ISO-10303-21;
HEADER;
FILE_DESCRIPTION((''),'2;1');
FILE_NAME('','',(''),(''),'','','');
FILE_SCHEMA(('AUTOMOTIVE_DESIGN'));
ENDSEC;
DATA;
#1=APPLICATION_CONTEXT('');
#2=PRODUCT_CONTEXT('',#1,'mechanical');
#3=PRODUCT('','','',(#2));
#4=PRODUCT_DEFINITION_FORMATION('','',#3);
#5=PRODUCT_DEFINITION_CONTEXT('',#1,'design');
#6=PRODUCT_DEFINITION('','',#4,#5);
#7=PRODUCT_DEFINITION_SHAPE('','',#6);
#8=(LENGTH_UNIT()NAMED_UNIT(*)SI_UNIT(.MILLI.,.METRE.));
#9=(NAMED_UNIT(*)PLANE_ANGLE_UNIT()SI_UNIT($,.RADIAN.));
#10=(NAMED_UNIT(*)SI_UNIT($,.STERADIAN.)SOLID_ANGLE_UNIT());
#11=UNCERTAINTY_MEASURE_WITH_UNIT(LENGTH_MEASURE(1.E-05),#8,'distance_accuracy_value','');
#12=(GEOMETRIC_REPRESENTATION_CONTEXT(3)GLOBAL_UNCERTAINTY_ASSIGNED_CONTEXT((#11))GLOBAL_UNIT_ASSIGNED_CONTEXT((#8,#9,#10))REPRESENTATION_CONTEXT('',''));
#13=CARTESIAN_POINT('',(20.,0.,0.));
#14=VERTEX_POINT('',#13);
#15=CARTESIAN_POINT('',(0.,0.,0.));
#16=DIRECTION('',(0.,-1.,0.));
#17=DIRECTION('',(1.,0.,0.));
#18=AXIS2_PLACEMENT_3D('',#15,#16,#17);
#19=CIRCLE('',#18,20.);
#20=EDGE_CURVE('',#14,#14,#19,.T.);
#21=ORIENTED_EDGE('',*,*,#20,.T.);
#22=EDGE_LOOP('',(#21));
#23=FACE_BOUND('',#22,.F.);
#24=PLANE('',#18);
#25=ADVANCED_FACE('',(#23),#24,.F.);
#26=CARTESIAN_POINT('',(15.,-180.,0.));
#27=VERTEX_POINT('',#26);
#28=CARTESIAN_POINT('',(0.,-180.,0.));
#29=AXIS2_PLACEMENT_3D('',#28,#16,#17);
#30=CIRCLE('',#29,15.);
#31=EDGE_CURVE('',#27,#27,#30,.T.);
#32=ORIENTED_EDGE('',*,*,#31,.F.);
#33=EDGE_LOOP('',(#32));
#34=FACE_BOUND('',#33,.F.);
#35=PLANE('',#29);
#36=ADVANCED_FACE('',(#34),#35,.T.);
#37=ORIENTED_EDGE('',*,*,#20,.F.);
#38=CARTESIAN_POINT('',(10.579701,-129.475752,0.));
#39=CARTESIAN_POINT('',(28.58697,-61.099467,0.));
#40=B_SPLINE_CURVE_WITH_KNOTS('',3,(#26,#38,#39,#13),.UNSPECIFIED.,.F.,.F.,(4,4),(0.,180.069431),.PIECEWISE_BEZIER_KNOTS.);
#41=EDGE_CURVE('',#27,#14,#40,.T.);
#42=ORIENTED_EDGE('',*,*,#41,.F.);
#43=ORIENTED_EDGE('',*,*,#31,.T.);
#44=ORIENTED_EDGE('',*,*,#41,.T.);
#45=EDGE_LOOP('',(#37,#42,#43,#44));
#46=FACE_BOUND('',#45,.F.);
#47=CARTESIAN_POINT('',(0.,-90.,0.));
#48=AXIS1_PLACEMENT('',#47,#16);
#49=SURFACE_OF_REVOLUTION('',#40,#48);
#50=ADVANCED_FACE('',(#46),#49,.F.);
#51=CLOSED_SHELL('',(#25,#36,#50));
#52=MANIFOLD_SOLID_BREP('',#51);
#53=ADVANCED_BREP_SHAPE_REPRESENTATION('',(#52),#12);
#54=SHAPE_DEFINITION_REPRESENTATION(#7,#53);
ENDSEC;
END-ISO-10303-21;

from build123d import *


with BuildPart() as f1:
    # F0 (on Top) → F1 (revolve)
    with BuildSketch(Plane.XY):
        with BuildLine():
            Line((20, 0), (0, 0))
            Line((0, 0), (0, -180))
            Line((0, -180), (15, -180))
            add(Edge.make_bspline(
                [(15, -180), (10.579701, -129.475752), (28.58697, -61.099467), (20, 0)],
                knots=[0, 0, 0, 0, 180.069431, 180.069431, 180.069431, 180.069431], degree=3))
        make_face()
    revolve(axis=Axis((0, -90, 0), (0, -1, 0)))


solid = f1.part
